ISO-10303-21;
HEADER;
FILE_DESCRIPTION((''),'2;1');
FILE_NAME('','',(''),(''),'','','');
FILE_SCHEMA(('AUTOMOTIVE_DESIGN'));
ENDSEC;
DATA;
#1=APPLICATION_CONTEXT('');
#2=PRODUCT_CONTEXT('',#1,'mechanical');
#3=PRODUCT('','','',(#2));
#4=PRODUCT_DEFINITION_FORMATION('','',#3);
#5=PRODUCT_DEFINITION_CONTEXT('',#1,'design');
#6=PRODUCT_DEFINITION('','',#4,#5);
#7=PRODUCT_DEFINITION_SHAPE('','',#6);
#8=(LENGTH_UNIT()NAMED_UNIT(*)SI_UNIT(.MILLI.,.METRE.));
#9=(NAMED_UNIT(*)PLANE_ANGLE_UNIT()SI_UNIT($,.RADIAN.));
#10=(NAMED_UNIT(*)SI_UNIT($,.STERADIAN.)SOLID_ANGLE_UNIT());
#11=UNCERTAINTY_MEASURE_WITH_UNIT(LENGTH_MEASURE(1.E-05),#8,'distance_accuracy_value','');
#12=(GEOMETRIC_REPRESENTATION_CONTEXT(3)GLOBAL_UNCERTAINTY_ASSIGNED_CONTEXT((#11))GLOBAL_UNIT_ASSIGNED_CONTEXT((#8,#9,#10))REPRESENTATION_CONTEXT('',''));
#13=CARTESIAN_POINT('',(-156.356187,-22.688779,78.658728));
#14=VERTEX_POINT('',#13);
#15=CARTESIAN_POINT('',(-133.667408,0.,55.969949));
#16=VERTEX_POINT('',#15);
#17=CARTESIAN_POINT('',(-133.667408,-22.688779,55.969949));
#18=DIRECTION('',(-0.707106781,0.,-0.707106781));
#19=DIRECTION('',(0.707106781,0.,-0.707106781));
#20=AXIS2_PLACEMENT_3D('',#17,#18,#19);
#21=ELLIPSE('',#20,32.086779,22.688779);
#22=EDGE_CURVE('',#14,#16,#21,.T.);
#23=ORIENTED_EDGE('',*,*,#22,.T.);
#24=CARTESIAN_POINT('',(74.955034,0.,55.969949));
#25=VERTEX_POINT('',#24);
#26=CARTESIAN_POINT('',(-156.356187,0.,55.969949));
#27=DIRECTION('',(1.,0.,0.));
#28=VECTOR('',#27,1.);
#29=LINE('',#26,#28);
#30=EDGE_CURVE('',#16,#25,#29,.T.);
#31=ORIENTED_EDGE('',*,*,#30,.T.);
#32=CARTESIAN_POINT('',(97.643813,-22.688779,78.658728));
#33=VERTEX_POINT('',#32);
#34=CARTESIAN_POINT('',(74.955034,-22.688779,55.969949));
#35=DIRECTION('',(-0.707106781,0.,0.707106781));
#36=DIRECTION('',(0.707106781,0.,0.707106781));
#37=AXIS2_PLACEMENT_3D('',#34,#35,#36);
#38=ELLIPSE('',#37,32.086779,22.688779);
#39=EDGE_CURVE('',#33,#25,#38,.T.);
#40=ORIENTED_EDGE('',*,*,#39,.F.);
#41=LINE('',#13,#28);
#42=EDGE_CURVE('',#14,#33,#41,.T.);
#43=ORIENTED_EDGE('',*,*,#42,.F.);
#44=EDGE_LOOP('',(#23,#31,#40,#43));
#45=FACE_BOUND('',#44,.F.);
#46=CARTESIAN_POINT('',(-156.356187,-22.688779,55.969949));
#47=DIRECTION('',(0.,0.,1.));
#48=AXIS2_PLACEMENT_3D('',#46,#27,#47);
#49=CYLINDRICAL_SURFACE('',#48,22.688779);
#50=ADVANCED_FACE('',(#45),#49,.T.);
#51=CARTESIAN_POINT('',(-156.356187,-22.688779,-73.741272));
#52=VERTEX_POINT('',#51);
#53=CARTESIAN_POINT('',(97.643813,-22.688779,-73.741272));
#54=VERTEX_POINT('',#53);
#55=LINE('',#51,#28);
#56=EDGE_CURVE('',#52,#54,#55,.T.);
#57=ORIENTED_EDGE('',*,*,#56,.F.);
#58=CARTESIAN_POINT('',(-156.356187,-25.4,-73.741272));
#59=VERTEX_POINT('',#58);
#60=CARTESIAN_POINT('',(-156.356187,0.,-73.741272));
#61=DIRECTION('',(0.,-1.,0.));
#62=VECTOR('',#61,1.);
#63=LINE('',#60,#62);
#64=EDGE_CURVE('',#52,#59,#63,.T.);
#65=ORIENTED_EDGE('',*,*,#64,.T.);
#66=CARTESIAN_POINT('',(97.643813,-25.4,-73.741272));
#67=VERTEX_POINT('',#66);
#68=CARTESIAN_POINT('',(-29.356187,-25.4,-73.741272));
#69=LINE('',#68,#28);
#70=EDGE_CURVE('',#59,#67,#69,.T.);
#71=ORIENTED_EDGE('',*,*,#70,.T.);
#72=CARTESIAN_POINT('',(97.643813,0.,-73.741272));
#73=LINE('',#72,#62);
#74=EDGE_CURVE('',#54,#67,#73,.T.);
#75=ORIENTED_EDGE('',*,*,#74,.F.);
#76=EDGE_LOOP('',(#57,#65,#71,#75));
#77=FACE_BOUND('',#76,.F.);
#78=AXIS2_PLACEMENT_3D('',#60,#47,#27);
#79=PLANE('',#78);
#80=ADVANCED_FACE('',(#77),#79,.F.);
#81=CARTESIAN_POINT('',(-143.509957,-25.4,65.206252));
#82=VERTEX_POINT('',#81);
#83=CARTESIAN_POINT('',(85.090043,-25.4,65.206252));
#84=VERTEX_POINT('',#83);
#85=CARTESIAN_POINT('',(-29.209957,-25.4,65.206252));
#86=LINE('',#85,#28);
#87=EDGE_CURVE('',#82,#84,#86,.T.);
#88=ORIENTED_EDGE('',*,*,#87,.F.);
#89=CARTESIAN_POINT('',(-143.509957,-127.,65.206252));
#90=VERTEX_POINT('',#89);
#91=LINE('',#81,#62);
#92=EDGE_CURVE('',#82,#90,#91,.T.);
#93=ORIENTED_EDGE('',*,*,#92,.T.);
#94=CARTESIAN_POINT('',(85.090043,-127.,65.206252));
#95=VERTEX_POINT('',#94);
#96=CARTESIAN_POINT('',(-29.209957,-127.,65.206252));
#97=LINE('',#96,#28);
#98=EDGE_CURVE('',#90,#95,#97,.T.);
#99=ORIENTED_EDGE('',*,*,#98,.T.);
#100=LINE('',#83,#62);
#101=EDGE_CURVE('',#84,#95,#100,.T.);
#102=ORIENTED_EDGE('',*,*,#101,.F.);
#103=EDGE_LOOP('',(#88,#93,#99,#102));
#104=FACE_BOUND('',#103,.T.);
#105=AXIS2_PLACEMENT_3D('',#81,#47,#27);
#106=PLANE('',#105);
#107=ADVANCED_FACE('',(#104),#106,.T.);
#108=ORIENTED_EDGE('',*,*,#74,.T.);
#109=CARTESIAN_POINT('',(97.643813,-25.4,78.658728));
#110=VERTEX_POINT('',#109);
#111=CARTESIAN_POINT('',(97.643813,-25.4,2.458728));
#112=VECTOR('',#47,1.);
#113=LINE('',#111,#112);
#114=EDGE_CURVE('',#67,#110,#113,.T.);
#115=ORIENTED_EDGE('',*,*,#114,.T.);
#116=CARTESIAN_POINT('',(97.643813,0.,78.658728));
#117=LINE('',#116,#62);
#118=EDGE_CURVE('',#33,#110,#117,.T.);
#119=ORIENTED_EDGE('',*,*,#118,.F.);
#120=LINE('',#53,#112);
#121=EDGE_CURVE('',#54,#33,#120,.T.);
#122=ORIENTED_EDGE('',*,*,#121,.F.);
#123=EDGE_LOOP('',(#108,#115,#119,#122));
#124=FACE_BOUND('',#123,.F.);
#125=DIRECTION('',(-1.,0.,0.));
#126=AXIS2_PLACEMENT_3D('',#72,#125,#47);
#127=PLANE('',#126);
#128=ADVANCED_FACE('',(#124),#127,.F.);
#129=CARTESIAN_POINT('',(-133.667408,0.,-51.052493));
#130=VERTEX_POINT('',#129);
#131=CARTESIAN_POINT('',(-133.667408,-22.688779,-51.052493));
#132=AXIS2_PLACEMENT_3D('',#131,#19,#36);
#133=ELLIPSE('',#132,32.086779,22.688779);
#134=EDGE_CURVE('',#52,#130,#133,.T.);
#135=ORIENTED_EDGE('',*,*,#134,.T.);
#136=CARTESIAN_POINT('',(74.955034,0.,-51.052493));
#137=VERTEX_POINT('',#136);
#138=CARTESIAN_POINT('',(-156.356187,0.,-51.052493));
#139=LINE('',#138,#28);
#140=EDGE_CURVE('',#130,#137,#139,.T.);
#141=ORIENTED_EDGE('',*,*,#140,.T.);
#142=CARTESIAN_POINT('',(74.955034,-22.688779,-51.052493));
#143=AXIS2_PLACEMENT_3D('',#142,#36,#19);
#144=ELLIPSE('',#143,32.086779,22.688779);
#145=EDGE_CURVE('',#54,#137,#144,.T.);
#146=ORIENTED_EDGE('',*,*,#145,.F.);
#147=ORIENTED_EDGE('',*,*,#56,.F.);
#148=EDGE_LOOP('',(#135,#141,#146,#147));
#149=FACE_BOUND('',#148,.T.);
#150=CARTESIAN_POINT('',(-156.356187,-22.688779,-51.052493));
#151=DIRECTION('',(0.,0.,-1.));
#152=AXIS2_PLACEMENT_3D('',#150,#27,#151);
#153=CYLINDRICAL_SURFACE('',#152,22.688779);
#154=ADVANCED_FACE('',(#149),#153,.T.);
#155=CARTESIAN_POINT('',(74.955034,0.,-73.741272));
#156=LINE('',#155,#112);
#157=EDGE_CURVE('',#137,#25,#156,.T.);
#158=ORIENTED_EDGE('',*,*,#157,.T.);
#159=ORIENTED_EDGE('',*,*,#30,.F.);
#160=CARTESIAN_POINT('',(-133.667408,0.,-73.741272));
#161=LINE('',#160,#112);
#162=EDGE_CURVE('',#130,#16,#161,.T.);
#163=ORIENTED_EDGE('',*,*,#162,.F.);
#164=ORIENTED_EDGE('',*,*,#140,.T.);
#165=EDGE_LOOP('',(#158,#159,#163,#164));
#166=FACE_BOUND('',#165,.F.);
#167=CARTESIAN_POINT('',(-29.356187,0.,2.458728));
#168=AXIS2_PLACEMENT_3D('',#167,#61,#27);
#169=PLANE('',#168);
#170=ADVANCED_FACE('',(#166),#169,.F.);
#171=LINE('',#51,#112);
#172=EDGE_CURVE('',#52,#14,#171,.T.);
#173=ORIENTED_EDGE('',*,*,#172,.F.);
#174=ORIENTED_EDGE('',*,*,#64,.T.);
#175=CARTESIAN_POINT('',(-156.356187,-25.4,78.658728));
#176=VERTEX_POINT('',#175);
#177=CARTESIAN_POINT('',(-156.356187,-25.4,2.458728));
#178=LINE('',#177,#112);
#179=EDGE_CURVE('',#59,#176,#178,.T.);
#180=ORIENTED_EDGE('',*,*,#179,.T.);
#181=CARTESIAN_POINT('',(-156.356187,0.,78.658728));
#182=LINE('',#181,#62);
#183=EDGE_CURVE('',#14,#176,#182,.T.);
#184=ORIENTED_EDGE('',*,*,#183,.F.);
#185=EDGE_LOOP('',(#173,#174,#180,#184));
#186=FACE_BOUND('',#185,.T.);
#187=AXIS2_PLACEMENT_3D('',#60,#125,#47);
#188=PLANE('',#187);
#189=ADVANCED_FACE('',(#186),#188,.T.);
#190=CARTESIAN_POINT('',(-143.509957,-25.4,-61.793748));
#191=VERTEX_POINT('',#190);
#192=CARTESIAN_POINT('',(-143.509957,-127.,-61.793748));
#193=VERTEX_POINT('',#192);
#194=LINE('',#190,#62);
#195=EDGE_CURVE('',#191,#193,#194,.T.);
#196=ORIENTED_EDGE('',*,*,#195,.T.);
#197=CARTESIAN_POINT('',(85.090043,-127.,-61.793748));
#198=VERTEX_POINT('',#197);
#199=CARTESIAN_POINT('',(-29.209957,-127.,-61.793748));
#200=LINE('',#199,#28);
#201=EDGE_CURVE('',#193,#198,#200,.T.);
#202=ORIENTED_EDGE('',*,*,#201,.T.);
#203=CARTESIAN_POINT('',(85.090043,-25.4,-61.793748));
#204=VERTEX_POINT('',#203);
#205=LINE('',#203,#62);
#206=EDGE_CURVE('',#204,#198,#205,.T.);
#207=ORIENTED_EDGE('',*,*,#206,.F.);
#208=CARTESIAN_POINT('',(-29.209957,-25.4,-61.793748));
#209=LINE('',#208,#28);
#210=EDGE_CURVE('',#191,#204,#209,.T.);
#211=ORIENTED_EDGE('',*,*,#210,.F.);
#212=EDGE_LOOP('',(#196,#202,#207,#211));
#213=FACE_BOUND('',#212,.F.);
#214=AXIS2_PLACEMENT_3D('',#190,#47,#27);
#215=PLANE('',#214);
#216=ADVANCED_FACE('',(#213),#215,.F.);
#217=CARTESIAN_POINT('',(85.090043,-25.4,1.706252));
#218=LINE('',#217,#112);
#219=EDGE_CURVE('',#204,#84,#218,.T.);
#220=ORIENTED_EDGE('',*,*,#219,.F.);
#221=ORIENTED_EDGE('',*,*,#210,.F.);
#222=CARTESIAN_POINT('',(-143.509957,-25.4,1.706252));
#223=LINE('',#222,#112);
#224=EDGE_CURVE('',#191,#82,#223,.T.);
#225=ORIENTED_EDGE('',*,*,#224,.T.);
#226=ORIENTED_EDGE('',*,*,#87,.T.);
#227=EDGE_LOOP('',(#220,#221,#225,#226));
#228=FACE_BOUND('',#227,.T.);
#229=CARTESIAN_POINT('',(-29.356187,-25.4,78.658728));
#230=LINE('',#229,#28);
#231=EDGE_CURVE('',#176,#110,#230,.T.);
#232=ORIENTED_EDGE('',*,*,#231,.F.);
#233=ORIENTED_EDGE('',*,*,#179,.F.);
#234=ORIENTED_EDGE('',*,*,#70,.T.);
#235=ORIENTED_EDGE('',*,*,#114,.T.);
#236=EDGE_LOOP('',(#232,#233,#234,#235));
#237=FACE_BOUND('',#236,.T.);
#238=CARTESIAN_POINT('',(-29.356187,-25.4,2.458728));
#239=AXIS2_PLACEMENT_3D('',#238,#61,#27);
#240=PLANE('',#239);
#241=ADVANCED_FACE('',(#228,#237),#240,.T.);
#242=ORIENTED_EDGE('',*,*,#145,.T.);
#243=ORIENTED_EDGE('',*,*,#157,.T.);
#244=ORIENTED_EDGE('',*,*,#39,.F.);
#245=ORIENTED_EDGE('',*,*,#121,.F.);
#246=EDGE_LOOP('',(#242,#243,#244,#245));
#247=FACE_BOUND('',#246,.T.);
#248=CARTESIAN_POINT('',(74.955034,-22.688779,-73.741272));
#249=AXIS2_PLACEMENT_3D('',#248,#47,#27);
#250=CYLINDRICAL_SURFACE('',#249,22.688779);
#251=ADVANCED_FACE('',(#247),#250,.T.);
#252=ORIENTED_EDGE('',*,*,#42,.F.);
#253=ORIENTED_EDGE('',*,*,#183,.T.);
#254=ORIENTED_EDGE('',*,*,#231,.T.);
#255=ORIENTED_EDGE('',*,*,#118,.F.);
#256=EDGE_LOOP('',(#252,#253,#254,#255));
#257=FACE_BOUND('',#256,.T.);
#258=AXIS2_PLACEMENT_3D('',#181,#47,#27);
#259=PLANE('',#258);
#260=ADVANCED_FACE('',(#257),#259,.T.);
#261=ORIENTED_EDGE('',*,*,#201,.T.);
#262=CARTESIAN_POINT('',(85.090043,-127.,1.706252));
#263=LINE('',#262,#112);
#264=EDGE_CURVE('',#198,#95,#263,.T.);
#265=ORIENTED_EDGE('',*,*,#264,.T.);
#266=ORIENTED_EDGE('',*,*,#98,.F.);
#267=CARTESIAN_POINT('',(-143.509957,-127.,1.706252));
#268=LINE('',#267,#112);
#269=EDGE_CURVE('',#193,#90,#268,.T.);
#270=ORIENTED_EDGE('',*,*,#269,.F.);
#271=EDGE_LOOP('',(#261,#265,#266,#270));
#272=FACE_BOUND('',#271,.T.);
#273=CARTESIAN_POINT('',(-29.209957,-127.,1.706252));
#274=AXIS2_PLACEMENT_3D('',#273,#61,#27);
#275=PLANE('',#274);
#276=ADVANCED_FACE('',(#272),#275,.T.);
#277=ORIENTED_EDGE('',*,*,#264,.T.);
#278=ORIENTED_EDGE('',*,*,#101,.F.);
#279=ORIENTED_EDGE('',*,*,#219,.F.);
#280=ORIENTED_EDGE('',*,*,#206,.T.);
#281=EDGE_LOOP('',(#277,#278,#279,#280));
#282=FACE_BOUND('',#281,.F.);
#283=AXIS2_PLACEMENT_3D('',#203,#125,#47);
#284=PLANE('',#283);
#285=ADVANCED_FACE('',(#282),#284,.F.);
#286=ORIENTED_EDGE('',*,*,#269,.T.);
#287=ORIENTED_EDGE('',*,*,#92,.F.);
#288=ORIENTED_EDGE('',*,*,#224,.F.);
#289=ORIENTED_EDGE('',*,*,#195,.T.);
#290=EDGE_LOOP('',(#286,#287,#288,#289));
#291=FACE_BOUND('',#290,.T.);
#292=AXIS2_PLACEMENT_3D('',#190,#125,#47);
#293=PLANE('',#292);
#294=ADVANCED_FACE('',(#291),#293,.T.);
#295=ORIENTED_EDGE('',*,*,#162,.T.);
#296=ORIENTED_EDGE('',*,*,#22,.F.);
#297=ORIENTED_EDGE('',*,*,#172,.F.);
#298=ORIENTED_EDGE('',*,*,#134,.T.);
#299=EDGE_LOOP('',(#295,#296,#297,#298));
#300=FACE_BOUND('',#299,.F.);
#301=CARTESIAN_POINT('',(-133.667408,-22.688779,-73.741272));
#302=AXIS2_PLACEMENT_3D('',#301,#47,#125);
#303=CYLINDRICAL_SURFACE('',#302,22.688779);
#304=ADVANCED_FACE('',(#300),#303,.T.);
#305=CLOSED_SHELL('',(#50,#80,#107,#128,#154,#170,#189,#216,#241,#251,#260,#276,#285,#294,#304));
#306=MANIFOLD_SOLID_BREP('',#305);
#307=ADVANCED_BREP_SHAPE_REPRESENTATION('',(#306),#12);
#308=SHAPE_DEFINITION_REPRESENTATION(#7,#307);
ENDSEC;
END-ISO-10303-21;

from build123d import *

# Parameters (mm, degrees)
F0_W     = 254
F0_H     = 152.4
F1_DEPTH = 25.4
F2_R     = 22.688779
F3_W     = 228.6
F3_H     = 127
F4_DEPTH = 101.6


with BuildPart() as f1:
    # F0 (on Front) → F1 (new body)
    with BuildSketch(Plane.XZ):
        with Locations((-29.356187, 2.458728)):
            Rectangle(F0_W, F0_H)
    extrude(amount=F1_DEPTH)

    # F2
    f2_edges = [f1.edges().sort_by_distance(p)[0] for p in [
        (-29.356187, 0, 78.658728),
        (-156.356187, 0, 2.458728),
        (-29.356187, 0, -73.741272),
        (97.643813, 0, 2.458728),
    ]]
    fillet(f2_edges, radius=F2_R)

    # F3 (on face) → F4 (join)
    with BuildSketch(Plane.XZ.offset(25.4)):
        with Locations((-29.209957, 1.706252)):
            Rectangle(F3_W, F3_H)
    extrude(amount=F4_DEPTH)


solid = f1.part
